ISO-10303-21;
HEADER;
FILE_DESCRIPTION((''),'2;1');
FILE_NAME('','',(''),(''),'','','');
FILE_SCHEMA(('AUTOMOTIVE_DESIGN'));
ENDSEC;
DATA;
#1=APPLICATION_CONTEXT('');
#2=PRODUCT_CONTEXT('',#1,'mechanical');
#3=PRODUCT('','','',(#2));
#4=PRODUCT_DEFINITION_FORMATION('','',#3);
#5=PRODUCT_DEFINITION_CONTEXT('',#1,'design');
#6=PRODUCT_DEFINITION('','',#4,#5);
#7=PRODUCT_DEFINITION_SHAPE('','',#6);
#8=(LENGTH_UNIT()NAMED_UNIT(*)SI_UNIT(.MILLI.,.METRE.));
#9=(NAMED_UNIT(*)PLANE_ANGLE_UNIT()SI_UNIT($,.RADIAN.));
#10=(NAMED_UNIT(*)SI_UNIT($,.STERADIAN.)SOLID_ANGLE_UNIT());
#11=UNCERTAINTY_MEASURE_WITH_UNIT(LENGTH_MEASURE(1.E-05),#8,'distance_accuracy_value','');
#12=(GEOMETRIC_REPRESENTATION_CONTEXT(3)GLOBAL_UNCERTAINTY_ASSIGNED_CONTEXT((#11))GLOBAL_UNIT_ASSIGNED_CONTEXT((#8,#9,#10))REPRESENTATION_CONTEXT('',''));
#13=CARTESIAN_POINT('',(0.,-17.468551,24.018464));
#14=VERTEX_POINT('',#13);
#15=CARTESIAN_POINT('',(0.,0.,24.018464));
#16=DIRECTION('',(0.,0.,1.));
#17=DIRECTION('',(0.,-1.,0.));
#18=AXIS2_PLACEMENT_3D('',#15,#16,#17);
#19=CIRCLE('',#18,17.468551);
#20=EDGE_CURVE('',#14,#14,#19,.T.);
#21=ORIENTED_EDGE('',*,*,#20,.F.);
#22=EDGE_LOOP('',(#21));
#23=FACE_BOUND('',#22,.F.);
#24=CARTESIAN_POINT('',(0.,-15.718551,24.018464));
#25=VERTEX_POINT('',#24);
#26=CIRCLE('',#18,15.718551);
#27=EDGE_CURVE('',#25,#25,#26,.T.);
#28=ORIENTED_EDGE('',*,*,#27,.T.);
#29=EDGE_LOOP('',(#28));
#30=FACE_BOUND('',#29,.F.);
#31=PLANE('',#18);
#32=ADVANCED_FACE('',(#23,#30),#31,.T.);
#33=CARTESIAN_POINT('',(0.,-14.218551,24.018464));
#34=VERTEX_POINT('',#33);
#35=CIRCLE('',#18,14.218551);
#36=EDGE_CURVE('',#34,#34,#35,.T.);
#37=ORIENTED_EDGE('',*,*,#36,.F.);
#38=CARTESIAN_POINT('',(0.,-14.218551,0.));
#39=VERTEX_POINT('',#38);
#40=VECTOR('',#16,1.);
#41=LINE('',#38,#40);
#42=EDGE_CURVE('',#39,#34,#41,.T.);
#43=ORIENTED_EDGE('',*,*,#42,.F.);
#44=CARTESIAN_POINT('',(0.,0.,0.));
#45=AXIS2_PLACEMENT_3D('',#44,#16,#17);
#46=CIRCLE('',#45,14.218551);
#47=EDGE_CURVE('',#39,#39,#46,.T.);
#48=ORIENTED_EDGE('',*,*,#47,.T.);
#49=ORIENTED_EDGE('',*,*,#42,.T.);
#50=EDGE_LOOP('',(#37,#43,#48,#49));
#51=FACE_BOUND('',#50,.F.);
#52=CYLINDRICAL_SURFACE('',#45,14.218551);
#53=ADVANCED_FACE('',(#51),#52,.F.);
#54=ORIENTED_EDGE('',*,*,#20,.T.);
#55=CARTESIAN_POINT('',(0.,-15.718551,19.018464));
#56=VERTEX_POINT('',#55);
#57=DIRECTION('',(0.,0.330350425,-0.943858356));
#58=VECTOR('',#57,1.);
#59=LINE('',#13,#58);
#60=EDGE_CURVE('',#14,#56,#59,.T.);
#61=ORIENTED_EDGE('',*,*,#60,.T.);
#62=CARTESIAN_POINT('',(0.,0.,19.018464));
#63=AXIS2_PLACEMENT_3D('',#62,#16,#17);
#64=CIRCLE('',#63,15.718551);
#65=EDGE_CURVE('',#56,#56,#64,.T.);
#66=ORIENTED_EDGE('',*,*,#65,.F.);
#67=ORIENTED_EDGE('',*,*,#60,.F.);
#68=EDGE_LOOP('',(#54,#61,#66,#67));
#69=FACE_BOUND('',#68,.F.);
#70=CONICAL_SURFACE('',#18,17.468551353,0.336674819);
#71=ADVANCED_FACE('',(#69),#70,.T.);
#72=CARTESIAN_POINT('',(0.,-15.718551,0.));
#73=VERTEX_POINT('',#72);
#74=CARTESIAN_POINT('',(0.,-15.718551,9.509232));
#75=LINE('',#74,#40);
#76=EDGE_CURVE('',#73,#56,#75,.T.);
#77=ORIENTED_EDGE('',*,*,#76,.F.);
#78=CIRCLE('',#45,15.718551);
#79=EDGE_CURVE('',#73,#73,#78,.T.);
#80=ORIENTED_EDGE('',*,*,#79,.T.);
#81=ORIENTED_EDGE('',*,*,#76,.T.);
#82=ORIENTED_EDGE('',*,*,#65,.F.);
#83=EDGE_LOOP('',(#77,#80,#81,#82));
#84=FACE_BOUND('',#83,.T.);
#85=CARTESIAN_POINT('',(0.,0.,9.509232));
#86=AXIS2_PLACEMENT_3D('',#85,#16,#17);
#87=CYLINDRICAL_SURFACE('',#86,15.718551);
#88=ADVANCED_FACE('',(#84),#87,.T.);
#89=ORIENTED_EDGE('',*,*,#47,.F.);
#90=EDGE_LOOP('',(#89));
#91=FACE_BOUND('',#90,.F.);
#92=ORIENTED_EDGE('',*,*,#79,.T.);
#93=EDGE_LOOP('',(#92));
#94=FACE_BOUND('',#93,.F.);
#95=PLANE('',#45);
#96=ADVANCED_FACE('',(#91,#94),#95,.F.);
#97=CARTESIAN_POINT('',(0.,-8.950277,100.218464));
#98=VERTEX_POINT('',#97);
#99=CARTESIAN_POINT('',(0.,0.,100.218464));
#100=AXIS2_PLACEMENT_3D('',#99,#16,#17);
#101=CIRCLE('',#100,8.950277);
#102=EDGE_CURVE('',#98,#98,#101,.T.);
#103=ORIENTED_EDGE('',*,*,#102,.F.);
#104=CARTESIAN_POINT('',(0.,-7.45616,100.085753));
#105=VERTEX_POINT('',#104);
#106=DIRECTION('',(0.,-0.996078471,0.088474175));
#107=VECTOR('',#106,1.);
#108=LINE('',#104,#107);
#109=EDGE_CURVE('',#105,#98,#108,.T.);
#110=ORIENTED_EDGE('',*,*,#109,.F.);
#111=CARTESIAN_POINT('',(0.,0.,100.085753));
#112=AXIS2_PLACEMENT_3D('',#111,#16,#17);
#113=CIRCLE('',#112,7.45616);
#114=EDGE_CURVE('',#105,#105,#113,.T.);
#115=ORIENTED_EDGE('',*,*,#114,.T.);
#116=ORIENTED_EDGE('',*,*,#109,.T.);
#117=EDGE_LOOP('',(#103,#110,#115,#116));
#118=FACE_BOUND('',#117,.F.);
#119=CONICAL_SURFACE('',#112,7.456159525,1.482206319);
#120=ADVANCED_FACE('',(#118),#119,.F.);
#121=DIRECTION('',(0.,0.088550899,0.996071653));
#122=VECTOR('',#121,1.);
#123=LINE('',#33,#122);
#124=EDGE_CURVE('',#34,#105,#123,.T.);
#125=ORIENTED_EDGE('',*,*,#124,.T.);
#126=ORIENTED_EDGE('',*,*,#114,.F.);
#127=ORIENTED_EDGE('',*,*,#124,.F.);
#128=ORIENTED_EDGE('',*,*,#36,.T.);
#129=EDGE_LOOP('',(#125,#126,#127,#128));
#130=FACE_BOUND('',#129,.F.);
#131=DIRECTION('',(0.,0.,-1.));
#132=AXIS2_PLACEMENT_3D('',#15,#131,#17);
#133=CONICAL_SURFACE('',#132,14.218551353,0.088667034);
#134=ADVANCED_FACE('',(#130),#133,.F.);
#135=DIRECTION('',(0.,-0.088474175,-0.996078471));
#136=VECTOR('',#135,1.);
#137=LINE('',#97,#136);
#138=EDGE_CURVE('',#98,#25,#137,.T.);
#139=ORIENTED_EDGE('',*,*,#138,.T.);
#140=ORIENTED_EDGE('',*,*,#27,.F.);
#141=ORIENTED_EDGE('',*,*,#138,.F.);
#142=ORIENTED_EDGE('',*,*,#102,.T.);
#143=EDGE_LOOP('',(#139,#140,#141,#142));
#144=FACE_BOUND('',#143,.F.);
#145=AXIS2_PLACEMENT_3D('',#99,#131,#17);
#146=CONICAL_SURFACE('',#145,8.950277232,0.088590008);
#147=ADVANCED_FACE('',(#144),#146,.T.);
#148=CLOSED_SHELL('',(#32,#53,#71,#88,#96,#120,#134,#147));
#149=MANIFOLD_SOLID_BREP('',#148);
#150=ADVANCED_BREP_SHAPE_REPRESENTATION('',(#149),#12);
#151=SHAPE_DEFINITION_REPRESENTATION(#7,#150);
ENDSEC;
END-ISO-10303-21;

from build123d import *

# Parameters (mm, degrees)
F1_W = 1.5
F1_H = 19.0184637904


with BuildPart() as f2:
    # F1 (on Right) → F2 (revolve)
    with BuildSketch(Plane.YZ):
        Polygon((-14.2185513526, 19.0184637904), (-14.2185513526, 24.0184637904), (-15.7185513526, 24.0184637904), (-17.4685513526, 24.0184637904), (-15.7185513526, 19.0184637904), align=None)
        Polygon((-15.7185513526, 24.0184637904), (-14.2185513526, 24.0184637904), (-7.4561595252, 100.0857525279), (-8.9502772316, 100.2184637904), align=None)
        with Locations((-14.9685513526, 9.5092318952)):
            Rectangle(F1_W, F1_H)
    revolve(axis=Axis((0, 0, 0), (0, 0, 1)))


solid = f2.part
